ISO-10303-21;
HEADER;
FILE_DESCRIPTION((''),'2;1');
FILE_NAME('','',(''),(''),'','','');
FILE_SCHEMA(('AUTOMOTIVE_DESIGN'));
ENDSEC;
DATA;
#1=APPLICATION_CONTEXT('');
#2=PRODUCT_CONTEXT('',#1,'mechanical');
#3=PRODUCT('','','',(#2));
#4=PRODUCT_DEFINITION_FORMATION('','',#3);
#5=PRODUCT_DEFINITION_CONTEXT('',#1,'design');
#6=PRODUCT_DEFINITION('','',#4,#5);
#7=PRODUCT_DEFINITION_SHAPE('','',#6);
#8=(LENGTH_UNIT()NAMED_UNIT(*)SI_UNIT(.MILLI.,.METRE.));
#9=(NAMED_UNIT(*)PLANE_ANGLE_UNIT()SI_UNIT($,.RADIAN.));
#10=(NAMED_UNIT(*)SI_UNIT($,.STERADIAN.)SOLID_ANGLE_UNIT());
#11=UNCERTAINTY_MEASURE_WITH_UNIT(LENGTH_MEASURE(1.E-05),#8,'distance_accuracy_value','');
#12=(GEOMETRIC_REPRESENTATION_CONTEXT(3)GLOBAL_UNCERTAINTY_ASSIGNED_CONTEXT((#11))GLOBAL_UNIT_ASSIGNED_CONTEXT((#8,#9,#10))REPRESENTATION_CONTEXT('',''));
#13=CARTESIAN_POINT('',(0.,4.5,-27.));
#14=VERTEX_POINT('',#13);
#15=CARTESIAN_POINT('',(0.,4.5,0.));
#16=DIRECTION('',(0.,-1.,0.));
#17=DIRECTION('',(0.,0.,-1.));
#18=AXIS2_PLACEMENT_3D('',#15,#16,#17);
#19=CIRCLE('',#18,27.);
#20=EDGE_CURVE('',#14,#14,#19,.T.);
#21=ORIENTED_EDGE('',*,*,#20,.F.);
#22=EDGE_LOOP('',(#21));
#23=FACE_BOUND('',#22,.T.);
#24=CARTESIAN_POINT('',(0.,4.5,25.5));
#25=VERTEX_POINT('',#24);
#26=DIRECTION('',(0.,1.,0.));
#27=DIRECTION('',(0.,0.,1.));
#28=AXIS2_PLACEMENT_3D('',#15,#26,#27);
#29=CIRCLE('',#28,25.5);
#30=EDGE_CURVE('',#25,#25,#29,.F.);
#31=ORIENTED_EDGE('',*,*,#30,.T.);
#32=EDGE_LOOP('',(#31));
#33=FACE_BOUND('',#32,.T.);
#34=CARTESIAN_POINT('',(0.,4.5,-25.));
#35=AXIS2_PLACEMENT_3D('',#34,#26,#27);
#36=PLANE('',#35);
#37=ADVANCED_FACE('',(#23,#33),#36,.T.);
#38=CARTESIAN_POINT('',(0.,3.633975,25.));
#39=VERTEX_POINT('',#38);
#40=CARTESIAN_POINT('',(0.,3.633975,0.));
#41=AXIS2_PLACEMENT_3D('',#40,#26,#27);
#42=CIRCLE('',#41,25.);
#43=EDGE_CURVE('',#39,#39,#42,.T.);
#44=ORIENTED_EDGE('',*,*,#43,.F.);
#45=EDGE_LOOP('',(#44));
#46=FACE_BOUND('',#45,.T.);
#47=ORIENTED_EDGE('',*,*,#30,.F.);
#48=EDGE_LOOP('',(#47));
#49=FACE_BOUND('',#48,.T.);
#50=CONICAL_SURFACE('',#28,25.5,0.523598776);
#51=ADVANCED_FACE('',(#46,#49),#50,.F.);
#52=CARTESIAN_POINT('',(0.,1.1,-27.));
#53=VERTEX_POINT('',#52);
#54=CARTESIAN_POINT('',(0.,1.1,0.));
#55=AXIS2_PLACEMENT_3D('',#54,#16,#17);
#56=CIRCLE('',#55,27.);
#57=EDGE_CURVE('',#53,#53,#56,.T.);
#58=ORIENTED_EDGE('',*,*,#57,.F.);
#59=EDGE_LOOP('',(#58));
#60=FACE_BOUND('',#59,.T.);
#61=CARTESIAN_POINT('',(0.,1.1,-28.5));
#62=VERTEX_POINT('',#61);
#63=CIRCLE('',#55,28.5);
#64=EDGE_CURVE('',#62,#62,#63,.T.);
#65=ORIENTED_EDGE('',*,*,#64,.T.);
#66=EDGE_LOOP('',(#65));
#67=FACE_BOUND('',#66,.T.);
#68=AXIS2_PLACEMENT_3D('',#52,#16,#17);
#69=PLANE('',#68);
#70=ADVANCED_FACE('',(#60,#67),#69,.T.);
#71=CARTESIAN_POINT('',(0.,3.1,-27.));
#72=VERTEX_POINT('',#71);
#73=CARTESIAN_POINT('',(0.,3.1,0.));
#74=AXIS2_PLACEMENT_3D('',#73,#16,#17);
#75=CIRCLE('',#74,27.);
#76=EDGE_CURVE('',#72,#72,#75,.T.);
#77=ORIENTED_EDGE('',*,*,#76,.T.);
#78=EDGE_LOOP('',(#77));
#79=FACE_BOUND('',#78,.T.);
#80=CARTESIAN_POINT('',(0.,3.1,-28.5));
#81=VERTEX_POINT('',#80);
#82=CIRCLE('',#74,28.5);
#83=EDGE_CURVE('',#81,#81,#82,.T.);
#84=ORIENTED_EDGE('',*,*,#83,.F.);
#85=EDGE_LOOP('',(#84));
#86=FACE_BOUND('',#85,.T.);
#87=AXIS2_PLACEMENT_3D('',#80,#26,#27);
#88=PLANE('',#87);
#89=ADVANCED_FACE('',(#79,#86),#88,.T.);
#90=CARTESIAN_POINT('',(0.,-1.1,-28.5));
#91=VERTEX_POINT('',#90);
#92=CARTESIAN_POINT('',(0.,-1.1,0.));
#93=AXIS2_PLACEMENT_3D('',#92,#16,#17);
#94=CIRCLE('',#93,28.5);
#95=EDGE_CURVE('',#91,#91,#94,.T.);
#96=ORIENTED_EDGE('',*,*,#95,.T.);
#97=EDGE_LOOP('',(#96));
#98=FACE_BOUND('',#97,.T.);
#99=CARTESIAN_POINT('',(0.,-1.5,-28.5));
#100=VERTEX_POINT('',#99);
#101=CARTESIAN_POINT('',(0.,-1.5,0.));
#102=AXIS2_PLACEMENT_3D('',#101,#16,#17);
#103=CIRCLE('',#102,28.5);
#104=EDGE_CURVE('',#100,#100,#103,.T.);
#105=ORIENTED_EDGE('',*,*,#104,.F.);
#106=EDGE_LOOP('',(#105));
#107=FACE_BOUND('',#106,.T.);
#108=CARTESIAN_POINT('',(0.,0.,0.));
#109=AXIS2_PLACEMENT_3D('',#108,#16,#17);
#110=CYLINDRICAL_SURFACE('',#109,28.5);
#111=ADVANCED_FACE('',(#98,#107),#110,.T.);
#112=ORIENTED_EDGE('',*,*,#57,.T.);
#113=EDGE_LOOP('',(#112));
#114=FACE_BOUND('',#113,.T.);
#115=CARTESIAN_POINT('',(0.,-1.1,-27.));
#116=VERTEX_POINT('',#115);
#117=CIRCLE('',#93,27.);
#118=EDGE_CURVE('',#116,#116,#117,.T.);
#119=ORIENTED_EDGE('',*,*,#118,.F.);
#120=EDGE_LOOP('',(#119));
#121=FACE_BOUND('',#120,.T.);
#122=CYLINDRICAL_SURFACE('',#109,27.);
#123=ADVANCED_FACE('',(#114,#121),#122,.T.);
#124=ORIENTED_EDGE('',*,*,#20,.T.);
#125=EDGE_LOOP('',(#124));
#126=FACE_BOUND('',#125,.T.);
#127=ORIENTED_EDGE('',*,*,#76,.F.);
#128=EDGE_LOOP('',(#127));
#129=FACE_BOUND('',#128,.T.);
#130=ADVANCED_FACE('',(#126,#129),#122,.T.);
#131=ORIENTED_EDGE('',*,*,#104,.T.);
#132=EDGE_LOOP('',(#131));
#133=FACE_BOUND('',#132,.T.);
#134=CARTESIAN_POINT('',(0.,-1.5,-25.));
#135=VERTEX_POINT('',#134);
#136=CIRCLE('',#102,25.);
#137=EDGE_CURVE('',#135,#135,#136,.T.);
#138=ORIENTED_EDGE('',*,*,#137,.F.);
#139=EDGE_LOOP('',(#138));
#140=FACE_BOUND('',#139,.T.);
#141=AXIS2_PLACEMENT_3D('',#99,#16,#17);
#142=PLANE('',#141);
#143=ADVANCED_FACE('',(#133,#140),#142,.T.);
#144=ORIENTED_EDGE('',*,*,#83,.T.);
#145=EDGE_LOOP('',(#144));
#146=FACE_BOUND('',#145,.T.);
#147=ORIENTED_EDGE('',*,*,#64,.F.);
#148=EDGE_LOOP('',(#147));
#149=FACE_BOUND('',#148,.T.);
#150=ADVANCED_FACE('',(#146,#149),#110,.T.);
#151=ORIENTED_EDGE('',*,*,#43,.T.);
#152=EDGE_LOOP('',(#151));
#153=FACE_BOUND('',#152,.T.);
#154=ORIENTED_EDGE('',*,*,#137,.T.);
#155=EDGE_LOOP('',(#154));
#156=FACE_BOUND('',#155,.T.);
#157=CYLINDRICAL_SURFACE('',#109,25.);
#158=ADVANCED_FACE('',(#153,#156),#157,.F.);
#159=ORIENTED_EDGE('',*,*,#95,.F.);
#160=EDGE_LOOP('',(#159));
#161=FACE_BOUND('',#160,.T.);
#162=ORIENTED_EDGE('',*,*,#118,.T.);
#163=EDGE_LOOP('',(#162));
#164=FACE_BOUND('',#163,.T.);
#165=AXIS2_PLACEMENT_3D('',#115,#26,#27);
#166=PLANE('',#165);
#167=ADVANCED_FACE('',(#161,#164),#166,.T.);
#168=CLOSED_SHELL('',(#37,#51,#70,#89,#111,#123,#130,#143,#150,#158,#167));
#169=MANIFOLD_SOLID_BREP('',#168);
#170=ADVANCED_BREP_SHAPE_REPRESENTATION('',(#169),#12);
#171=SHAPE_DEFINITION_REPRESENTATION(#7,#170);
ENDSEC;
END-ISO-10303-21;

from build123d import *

# Parameters (mm, degrees)
CHAMFER1_SIZE  = 0.5
CHAMFER1_SIZE2 = 0.866025404


with BuildPart() as part:
    # Sketch2 → Revolve1 (revolve)
    with BuildSketch(Plane(origin=(0, 0, 0), x_dir=(0, 0, -1), z_dir=(1, 0, 0))):
        Polygon((27, 0), (27, 1.1), (28.5, 1.1), (28.5, 3.1), (27, 3.1), (27, 4.5), (25, 4.5), (25, -1.5), (28.5, -1.5), (28.5, -1.1), (27, -1.1), align=None)
    revolve(axis=Axis((0, 0, 0), (0, 1, 0)))

    # Chamfer1
    chamfer1_edges = [part.edges().sort_by_distance(p)[0] for p in [
        (0, 4.5, 25),
    ]]
    chamfer1_side = [part.faces().sort_by_distance(p)[0] for p in [
        (0, 4.5, 26.236324676),
    ]]
    chamfer(chamfer1_edges, length=CHAMFER1_SIZE, length2=CHAMFER1_SIZE2, reference=chamfer1_side[0])


solid = part.part
